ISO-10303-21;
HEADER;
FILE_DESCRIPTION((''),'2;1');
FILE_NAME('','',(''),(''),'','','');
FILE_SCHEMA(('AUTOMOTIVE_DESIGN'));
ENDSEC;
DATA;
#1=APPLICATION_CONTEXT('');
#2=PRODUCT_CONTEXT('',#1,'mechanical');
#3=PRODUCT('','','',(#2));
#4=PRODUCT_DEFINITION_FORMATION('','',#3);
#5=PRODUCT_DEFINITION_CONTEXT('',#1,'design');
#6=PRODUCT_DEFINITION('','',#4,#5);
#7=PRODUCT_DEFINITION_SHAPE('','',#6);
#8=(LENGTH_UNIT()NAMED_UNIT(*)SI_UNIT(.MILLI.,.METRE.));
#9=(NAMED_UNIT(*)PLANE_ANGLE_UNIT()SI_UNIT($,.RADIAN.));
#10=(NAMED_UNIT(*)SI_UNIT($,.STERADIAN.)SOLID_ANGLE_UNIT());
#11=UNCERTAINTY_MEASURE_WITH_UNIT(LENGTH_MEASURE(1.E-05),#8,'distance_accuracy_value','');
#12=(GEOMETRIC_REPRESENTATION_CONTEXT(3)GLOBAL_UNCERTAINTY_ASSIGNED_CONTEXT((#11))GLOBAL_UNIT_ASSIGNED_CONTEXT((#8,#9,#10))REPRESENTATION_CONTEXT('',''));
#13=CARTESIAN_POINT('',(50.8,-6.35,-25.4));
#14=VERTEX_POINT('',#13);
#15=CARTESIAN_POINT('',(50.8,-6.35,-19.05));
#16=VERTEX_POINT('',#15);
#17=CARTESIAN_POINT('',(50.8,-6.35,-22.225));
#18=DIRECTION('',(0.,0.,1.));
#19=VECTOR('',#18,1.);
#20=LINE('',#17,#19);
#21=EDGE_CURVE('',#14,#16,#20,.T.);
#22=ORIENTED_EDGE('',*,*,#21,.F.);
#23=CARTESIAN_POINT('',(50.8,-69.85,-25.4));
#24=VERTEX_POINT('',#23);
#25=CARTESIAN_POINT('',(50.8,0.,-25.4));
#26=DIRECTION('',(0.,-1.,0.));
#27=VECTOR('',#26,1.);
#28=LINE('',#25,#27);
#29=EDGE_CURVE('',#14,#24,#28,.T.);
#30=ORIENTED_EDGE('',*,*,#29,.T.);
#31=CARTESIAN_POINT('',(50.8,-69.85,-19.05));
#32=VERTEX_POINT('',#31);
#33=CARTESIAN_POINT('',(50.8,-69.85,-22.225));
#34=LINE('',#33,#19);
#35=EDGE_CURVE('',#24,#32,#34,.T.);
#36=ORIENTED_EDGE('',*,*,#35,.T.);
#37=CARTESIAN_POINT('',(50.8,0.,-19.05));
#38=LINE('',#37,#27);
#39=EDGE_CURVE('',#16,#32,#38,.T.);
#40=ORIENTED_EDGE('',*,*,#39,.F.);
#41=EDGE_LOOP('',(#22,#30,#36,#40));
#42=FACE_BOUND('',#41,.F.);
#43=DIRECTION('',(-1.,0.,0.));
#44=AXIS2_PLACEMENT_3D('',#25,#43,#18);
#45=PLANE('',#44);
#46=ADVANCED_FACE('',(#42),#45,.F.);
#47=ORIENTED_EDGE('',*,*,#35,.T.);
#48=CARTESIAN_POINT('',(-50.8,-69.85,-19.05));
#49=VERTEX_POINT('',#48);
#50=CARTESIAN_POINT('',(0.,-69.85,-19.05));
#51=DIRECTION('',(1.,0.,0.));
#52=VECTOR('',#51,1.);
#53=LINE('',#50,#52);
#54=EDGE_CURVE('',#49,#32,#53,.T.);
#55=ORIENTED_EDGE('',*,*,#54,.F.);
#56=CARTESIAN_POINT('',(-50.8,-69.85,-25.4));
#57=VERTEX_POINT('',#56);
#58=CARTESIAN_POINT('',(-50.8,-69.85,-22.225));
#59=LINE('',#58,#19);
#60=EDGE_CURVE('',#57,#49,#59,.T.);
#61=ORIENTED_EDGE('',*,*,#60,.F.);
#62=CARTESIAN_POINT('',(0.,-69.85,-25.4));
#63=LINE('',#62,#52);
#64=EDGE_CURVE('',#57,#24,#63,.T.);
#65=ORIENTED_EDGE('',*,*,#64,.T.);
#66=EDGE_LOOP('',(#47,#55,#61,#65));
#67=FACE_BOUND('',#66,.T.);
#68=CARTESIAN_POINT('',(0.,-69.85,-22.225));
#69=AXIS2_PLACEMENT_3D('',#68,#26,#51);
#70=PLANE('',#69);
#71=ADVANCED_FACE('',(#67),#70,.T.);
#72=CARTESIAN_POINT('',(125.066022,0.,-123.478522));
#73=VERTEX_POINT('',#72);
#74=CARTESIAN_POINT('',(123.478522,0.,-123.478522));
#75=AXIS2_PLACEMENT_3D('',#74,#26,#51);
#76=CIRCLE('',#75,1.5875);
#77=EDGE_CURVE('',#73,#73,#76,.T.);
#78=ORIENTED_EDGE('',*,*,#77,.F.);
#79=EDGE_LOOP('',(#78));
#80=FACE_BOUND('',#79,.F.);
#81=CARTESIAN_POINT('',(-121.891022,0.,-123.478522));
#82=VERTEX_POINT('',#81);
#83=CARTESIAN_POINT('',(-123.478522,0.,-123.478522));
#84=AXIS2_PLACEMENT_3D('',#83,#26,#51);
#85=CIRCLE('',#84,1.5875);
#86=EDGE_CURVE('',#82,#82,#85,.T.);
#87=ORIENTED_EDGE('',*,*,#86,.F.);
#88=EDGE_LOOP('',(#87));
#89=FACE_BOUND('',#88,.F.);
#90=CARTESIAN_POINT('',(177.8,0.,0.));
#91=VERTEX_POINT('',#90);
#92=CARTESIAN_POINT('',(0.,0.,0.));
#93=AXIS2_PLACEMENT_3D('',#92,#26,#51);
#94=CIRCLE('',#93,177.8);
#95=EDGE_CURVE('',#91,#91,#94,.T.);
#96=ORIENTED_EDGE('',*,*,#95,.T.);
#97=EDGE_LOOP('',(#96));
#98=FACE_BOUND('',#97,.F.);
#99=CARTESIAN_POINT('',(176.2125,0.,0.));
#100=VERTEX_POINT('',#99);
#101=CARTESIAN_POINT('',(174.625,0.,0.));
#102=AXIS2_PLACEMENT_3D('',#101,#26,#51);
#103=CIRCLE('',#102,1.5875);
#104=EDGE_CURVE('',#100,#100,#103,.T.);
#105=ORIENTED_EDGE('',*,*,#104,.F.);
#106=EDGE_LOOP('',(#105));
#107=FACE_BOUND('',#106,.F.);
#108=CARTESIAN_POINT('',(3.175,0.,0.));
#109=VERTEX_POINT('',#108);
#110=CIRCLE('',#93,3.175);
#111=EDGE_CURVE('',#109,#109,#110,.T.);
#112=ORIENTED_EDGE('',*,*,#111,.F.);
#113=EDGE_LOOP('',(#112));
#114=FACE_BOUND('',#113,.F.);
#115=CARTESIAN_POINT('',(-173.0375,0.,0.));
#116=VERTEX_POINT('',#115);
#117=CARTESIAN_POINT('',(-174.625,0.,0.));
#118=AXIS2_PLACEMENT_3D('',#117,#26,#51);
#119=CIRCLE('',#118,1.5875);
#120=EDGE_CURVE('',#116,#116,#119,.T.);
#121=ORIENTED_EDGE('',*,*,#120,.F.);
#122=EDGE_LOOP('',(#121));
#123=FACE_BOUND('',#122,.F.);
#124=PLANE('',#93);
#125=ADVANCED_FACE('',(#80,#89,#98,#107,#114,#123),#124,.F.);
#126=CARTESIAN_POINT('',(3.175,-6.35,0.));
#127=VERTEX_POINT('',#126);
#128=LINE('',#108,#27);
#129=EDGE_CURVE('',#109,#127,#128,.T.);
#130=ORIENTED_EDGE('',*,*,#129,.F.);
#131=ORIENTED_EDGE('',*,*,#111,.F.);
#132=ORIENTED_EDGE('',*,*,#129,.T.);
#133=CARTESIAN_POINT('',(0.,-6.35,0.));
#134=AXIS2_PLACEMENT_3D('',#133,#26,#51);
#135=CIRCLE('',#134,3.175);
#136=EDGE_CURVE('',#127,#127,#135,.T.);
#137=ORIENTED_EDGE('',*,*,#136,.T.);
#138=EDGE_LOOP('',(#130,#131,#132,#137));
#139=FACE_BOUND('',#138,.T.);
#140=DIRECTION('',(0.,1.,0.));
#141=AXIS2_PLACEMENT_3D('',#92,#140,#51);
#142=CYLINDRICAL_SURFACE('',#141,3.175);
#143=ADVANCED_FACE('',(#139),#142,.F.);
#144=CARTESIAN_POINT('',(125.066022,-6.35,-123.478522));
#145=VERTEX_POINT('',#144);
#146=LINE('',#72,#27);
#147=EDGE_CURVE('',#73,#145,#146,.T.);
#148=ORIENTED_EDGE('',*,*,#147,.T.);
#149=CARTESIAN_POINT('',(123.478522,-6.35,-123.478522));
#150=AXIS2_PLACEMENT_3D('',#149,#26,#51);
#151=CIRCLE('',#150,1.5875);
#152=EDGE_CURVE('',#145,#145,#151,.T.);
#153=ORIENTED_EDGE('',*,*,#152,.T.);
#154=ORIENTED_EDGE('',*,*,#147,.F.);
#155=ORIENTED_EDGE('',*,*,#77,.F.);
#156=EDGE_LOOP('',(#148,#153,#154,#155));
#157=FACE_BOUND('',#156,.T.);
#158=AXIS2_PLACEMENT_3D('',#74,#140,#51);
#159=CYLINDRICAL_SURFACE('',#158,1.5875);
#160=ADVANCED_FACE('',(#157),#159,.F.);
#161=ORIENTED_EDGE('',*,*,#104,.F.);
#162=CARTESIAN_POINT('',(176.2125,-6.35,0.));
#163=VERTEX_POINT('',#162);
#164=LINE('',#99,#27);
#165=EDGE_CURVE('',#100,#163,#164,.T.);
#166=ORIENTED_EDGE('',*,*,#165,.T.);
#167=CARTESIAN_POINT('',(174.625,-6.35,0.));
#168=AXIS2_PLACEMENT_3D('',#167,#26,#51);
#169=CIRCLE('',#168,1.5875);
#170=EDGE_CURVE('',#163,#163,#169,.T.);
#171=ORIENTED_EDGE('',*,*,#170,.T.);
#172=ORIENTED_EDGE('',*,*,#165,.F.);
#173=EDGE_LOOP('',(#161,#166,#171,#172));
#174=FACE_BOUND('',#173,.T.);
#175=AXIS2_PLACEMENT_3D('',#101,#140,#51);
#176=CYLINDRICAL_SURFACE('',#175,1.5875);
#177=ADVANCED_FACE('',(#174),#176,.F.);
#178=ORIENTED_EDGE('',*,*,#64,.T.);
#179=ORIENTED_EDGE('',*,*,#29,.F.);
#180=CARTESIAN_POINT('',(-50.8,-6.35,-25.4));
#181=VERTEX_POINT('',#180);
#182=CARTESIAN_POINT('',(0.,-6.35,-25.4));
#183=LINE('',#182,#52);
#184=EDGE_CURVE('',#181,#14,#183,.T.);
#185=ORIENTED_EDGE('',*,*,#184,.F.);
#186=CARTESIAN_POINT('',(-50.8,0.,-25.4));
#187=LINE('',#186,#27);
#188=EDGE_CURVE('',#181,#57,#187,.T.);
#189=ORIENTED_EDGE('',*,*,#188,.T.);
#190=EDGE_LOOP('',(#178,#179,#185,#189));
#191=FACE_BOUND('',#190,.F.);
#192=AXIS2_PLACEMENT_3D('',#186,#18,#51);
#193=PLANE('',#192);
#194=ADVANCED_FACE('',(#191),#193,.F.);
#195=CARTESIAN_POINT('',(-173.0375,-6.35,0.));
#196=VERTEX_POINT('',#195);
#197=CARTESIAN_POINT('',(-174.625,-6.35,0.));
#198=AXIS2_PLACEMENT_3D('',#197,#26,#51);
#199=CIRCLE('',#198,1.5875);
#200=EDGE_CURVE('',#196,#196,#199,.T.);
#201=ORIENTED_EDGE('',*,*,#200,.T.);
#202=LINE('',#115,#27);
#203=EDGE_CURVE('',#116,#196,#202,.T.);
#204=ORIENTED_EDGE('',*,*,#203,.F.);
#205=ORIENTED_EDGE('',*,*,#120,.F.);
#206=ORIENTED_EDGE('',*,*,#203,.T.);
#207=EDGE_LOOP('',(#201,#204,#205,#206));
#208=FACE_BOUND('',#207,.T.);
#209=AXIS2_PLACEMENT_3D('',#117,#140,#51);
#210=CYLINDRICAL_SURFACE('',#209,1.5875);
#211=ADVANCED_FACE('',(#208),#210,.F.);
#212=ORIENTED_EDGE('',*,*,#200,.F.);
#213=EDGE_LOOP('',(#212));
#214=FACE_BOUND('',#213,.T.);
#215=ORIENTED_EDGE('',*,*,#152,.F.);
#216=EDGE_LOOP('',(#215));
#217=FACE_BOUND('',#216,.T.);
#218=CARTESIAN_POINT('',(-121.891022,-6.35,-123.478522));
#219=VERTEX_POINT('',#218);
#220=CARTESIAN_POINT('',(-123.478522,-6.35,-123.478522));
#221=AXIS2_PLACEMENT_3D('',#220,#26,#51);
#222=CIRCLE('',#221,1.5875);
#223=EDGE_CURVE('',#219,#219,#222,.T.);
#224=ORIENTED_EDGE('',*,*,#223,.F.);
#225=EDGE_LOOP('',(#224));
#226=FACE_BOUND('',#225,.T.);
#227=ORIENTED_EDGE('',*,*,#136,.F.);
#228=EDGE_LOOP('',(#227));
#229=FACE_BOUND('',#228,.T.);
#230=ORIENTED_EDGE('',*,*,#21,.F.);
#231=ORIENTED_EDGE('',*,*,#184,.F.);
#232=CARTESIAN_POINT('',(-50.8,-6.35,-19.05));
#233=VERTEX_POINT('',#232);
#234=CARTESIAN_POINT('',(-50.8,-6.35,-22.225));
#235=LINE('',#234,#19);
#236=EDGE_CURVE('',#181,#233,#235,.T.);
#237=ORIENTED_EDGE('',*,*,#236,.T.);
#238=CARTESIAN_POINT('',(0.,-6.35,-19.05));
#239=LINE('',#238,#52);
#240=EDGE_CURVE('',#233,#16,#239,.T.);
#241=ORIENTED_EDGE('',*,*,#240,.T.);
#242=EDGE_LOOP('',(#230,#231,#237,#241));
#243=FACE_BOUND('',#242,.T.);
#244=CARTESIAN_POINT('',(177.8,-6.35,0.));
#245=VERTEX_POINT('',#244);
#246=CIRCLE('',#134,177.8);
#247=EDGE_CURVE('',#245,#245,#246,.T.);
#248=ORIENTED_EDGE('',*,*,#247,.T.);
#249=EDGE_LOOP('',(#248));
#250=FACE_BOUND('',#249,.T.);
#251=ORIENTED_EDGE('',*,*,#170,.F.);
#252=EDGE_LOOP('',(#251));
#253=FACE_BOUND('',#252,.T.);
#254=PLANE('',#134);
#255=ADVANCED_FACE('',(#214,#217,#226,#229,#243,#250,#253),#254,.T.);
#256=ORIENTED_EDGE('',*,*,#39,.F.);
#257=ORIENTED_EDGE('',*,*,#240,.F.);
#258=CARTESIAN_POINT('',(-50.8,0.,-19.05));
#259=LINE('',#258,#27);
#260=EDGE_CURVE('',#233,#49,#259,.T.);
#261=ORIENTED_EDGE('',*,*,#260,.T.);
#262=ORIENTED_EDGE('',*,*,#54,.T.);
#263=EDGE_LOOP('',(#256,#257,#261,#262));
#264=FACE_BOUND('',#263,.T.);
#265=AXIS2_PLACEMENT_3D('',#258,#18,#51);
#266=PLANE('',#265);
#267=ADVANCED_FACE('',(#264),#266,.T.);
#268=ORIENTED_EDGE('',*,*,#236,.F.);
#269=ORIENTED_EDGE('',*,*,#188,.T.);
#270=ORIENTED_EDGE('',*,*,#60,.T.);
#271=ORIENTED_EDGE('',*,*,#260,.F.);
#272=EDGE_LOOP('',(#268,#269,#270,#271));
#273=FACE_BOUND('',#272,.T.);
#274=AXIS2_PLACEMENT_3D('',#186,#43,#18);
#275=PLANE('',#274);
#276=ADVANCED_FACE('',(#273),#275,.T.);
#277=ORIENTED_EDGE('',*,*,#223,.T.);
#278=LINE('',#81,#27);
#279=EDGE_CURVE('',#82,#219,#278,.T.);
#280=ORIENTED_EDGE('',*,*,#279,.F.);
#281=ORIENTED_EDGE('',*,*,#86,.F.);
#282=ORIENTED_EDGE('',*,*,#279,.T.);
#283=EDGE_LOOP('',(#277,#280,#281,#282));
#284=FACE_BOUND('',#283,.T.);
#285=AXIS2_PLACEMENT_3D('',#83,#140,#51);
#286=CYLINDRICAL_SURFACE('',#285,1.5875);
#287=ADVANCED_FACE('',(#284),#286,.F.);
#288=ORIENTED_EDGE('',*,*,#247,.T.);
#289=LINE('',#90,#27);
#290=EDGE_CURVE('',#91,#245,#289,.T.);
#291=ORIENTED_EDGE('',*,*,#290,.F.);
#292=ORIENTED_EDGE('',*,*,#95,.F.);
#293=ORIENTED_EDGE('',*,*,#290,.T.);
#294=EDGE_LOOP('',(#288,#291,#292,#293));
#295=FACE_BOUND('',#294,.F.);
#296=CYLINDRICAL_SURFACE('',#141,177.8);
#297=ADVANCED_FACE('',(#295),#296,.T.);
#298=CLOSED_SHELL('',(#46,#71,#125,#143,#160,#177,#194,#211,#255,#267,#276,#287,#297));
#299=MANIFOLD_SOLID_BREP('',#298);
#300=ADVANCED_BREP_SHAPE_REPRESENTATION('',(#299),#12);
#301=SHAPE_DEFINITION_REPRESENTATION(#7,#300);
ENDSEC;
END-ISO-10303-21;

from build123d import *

# Parameters (mm, degrees)
F0_R     = 177.8
F0_R_2   = 1.5875
F0_W     = 101.6
F0_H     = 6.35
F0_R_3   = 3.175
F1_DEPTH = 6.35
F2_DEPTH = 69.85


with BuildPart() as f1:
    # F0 (on Front) → F1 (new body)
    with BuildSketch(Plane.XZ):
        Circle(F0_R)
        with Locations((-123.478522, -123.478522)):
            Circle(F0_R_2, mode=Mode.SUBTRACT)
        with Locations((123.478522, -123.478522)):
            Circle(F0_R_2, mode=Mode.SUBTRACT)
        with Locations((0, -22.225)):
            Rectangle(F0_W, F0_H, mode=Mode.SUBTRACT)
        with Locations((-174.625, 0)):
            Circle(F0_R_2, mode=Mode.SUBTRACT)
        Circle(F0_R_3, mode=Mode.SUBTRACT)
        with Locations((174.625, 0)):
            Circle(F0_R_2, mode=Mode.SUBTRACT)
    extrude(amount=F1_DEPTH)

    # F0 (on Front) → F2 (join)
    with BuildSketch(Plane.XZ):
        with Locations((0, -22.225)):
            Rectangle(F0_W, F0_H)
    extrude(amount=F2_DEPTH)


solid = f1.part
